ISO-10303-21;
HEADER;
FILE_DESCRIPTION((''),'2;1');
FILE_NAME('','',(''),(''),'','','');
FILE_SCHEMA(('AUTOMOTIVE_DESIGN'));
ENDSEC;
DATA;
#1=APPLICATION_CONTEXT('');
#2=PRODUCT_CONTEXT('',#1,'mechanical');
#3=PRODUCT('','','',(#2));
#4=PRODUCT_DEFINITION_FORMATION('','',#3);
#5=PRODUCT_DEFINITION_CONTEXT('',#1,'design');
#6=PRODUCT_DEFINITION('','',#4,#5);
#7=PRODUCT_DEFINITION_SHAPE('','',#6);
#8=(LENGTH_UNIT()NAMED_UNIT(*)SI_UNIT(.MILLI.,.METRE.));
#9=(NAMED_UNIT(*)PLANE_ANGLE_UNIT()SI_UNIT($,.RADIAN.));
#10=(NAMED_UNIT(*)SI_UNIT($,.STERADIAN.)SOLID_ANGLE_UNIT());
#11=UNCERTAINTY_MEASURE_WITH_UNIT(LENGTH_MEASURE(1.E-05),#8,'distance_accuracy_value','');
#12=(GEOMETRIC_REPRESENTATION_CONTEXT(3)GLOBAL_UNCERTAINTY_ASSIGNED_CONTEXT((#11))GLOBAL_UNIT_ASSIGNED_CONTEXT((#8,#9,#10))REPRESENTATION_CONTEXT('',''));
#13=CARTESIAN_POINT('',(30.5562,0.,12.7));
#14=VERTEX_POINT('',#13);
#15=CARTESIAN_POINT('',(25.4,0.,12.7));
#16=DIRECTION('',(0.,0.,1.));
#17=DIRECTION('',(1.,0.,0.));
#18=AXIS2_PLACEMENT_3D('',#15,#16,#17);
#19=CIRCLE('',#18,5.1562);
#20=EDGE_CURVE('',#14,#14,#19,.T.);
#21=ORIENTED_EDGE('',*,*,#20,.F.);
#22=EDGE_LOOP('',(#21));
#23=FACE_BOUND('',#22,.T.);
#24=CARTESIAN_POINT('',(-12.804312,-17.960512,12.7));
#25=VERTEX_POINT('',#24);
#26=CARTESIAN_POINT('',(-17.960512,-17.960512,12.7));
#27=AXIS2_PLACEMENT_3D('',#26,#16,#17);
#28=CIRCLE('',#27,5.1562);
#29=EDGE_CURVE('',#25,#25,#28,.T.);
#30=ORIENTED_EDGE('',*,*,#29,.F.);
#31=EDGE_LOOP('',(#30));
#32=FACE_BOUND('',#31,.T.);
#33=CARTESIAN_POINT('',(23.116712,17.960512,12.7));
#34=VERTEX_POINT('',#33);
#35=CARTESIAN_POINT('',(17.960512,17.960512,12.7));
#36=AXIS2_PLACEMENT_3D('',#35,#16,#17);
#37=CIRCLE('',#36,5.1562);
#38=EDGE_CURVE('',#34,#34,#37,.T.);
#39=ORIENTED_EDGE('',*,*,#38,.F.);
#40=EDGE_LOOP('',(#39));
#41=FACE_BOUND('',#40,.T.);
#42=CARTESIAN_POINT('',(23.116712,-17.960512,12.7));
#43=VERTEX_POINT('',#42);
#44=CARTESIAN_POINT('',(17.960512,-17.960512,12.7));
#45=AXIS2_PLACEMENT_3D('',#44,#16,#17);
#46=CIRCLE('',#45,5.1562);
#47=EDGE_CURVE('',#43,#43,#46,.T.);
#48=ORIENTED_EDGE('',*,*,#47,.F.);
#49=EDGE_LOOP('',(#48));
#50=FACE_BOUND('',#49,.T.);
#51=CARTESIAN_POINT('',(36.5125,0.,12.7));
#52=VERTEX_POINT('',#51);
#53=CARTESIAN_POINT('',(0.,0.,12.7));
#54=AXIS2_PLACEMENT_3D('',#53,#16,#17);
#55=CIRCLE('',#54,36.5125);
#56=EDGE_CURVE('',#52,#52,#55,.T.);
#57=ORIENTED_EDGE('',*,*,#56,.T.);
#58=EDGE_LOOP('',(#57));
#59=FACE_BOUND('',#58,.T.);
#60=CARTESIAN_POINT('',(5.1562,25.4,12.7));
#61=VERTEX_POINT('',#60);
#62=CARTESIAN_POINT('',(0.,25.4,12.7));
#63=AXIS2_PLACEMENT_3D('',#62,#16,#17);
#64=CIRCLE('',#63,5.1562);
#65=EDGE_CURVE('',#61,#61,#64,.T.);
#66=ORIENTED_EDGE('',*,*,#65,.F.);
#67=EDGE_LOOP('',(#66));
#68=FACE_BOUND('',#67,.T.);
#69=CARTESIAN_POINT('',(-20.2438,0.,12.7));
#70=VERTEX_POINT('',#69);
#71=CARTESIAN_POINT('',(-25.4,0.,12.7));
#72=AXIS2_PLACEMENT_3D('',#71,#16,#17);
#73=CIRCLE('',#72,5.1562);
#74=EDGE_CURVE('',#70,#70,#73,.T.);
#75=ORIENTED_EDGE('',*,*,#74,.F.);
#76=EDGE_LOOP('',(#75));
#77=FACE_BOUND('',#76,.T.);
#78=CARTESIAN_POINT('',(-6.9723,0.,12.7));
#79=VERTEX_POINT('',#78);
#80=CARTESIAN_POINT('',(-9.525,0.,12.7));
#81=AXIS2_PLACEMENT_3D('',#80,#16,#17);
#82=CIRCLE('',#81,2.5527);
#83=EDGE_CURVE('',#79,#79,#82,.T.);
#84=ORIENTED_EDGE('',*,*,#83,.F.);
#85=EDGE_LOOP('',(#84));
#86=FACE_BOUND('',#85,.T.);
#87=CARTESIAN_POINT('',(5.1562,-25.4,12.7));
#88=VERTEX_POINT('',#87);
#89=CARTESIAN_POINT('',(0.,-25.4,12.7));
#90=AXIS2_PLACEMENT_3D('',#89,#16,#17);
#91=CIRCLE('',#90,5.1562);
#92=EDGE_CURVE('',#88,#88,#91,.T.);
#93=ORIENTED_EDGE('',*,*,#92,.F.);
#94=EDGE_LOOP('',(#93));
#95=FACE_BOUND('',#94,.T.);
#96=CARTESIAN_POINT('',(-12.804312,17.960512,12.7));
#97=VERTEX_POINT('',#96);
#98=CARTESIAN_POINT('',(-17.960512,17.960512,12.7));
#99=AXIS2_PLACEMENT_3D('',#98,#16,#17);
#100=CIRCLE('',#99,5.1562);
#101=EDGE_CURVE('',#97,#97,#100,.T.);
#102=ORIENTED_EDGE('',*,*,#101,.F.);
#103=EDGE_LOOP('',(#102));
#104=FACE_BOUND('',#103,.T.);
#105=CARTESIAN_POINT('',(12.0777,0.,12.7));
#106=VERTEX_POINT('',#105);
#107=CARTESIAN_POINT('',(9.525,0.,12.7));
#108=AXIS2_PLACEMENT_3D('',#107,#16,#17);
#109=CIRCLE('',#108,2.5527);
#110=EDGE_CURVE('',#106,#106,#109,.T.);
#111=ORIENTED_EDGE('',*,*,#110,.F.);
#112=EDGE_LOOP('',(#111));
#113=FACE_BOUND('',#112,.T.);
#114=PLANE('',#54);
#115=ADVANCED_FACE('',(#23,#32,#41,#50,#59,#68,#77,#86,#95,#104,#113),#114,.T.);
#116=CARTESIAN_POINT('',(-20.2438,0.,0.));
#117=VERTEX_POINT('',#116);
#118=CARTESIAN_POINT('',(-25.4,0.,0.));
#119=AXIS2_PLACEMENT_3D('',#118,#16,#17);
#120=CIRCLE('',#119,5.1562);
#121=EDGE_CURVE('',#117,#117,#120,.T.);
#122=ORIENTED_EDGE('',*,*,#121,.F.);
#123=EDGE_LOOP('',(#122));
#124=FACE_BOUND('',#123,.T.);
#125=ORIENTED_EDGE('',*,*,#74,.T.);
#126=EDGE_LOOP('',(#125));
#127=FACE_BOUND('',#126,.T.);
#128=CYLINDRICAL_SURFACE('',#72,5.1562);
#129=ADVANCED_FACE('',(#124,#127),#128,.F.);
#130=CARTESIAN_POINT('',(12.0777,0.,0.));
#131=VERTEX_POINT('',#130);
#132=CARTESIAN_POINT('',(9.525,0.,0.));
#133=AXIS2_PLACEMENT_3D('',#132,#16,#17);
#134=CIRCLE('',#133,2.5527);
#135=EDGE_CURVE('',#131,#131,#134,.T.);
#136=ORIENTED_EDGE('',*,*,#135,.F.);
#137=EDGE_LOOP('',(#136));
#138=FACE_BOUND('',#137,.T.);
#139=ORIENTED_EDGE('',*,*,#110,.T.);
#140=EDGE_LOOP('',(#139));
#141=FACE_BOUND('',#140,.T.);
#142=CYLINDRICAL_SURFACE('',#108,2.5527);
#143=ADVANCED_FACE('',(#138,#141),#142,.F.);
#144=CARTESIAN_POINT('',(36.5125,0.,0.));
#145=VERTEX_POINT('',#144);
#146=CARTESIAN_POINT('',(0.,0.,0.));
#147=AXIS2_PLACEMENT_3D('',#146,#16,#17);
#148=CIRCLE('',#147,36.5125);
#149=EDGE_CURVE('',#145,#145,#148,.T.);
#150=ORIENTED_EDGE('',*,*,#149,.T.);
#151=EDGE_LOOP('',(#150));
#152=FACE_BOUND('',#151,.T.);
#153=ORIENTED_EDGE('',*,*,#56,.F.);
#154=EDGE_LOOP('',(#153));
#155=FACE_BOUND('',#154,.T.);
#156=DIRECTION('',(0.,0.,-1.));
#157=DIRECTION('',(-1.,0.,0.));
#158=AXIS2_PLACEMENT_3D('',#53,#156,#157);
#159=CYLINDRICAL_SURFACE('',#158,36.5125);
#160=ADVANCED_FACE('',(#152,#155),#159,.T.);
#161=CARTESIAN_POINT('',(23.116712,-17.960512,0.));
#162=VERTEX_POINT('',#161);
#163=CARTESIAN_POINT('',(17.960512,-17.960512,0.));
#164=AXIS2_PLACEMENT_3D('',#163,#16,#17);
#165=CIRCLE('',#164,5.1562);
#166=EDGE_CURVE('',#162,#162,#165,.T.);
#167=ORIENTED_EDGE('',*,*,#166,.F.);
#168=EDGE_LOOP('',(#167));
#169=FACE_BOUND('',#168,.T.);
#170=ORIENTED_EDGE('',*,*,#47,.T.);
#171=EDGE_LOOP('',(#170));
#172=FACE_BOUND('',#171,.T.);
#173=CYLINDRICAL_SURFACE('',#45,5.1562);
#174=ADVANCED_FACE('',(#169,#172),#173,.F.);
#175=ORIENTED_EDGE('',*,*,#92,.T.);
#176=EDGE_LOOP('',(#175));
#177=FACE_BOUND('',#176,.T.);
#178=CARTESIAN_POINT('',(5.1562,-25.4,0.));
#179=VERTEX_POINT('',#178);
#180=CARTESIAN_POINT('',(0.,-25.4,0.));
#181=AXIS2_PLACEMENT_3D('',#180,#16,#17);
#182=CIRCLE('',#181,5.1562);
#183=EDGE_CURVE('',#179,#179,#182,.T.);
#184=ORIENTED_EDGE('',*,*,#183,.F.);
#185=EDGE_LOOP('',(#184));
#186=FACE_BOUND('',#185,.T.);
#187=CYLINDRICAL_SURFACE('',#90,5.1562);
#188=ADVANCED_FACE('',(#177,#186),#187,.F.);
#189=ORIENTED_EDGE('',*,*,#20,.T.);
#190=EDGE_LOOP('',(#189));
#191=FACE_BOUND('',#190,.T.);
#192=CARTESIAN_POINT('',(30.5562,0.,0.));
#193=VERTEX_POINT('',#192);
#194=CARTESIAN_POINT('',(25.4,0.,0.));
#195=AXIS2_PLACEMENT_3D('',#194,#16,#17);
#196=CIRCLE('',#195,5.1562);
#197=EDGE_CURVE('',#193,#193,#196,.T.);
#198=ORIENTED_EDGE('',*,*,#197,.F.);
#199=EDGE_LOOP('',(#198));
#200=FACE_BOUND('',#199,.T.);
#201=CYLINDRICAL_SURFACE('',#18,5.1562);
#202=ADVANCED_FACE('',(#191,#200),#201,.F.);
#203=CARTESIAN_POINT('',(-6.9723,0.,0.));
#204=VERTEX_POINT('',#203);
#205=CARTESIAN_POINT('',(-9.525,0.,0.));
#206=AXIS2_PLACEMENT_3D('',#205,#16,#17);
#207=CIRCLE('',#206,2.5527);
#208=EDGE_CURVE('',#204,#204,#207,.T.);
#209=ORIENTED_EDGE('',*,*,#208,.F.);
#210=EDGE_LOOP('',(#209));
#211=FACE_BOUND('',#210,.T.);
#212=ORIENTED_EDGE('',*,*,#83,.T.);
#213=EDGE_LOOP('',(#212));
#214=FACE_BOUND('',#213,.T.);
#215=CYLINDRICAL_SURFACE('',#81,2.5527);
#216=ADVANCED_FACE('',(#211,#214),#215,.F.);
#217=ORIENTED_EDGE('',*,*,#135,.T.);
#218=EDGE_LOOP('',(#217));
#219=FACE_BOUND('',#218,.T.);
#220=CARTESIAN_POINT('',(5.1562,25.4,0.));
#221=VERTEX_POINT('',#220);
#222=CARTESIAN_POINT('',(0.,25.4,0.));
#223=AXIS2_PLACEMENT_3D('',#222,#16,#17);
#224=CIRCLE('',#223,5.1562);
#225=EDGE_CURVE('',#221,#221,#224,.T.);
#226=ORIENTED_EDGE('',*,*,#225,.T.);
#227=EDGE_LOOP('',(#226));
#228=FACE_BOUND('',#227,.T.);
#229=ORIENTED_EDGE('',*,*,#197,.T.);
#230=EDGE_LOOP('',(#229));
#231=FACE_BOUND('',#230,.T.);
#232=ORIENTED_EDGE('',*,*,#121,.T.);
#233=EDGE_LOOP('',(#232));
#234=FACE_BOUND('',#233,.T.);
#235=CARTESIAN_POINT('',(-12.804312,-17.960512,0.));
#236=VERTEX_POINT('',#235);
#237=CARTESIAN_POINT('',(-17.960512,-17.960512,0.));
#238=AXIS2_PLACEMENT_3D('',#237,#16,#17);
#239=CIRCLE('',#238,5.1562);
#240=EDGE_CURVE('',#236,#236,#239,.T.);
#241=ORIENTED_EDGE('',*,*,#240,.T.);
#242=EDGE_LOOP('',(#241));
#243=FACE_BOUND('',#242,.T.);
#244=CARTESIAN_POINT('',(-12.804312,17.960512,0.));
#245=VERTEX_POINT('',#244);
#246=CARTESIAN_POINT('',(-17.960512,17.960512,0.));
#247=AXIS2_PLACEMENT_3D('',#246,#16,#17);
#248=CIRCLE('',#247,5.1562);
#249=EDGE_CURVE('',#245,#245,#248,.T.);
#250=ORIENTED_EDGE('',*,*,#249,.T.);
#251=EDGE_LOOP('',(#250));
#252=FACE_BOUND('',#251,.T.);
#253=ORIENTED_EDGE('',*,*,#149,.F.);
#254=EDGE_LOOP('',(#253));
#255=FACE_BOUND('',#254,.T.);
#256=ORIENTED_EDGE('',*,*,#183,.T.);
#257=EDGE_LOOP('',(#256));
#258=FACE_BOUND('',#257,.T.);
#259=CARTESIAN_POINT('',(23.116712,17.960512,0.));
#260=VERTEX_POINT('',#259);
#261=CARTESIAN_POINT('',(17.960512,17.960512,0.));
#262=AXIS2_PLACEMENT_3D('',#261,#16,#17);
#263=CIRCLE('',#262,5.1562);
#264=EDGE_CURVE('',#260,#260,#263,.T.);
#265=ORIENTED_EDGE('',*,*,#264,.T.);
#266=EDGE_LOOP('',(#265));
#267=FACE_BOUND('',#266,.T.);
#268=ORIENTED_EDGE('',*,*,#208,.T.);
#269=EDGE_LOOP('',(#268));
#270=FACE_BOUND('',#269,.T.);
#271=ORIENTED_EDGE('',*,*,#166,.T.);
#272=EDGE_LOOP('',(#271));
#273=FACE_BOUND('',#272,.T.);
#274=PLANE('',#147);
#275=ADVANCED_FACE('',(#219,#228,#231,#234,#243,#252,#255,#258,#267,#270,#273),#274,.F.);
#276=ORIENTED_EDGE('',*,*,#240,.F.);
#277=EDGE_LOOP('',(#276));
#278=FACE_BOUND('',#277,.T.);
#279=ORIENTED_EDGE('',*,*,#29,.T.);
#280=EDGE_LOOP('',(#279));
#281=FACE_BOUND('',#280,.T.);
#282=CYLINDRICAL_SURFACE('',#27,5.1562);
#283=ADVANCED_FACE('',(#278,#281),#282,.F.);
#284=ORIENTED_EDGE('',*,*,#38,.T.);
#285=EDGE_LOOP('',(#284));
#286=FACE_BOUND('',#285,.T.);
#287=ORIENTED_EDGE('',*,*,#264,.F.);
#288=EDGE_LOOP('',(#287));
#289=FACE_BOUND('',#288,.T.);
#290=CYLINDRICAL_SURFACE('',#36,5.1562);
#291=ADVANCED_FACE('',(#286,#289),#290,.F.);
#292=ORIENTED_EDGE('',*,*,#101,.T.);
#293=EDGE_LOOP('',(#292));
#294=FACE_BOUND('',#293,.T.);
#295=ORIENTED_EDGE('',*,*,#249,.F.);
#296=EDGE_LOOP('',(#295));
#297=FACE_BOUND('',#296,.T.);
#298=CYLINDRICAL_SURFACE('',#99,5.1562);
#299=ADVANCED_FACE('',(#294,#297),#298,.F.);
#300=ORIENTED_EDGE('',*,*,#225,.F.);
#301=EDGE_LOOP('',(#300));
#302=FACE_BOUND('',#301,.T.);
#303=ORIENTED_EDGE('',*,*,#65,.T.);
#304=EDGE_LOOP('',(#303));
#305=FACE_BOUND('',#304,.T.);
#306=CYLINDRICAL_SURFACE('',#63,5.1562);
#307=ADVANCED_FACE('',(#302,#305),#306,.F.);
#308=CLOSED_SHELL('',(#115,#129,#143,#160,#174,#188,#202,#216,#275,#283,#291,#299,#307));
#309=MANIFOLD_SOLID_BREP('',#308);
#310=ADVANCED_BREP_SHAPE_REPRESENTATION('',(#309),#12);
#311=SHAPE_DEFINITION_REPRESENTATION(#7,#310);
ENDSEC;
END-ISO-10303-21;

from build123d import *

# Parameters (mm, degrees)
SKETCH1_R                    = 36.5125
BOSS_EXTRUDE1_DEPTH          = 12.7
F_1_4_20_TAPPED_HOLE1_D      = 5.1054
F_3_8_0_375_DIAMETER_HOLE1_D = 10.3124
CIRPATTERN1_COUNT            = 8


with BuildPart() as part:
    # Sketch1 → Boss-Extrude1 (new body)
    with BuildSketch(Plane.XY):
        Circle(SKETCH1_R)
    extrude(amount=BOSS_EXTRUDE1_DEPTH)

    # 1_4-20 Tapped Hole1 (through all)
    with Locations(Plane.XY.offset(12.7)):
        with Locations((9.525, 0), (-9.525, 0)):
            Hole(F_1_4_20_TAPPED_HOLE1_D / 2)

    # 3_8 _0.375_ Diameter Hole1 (through all)
    with Locations(Plane.XY.offset(12.7)):
        with Locations((25.4, 0)):
            f_3_8_0_375_diameter_hole1 = Hole(F_3_8_0_375_DIAMETER_HOLE1_D / 2)

    # CirPattern1: 3_8 _0.375_ Diameter Hole1 ×8 about axis
    cirpattern1_axis = Axis((0, 0, 0), (0, 0, 1))
    for i in range(1, CIRPATTERN1_COUNT):
        add(f_3_8_0_375_diameter_hole1.rotate(cirpattern1_axis, i * 360 / CIRPATTERN1_COUNT), mode=Mode.SUBTRACT)


solid = part.part
